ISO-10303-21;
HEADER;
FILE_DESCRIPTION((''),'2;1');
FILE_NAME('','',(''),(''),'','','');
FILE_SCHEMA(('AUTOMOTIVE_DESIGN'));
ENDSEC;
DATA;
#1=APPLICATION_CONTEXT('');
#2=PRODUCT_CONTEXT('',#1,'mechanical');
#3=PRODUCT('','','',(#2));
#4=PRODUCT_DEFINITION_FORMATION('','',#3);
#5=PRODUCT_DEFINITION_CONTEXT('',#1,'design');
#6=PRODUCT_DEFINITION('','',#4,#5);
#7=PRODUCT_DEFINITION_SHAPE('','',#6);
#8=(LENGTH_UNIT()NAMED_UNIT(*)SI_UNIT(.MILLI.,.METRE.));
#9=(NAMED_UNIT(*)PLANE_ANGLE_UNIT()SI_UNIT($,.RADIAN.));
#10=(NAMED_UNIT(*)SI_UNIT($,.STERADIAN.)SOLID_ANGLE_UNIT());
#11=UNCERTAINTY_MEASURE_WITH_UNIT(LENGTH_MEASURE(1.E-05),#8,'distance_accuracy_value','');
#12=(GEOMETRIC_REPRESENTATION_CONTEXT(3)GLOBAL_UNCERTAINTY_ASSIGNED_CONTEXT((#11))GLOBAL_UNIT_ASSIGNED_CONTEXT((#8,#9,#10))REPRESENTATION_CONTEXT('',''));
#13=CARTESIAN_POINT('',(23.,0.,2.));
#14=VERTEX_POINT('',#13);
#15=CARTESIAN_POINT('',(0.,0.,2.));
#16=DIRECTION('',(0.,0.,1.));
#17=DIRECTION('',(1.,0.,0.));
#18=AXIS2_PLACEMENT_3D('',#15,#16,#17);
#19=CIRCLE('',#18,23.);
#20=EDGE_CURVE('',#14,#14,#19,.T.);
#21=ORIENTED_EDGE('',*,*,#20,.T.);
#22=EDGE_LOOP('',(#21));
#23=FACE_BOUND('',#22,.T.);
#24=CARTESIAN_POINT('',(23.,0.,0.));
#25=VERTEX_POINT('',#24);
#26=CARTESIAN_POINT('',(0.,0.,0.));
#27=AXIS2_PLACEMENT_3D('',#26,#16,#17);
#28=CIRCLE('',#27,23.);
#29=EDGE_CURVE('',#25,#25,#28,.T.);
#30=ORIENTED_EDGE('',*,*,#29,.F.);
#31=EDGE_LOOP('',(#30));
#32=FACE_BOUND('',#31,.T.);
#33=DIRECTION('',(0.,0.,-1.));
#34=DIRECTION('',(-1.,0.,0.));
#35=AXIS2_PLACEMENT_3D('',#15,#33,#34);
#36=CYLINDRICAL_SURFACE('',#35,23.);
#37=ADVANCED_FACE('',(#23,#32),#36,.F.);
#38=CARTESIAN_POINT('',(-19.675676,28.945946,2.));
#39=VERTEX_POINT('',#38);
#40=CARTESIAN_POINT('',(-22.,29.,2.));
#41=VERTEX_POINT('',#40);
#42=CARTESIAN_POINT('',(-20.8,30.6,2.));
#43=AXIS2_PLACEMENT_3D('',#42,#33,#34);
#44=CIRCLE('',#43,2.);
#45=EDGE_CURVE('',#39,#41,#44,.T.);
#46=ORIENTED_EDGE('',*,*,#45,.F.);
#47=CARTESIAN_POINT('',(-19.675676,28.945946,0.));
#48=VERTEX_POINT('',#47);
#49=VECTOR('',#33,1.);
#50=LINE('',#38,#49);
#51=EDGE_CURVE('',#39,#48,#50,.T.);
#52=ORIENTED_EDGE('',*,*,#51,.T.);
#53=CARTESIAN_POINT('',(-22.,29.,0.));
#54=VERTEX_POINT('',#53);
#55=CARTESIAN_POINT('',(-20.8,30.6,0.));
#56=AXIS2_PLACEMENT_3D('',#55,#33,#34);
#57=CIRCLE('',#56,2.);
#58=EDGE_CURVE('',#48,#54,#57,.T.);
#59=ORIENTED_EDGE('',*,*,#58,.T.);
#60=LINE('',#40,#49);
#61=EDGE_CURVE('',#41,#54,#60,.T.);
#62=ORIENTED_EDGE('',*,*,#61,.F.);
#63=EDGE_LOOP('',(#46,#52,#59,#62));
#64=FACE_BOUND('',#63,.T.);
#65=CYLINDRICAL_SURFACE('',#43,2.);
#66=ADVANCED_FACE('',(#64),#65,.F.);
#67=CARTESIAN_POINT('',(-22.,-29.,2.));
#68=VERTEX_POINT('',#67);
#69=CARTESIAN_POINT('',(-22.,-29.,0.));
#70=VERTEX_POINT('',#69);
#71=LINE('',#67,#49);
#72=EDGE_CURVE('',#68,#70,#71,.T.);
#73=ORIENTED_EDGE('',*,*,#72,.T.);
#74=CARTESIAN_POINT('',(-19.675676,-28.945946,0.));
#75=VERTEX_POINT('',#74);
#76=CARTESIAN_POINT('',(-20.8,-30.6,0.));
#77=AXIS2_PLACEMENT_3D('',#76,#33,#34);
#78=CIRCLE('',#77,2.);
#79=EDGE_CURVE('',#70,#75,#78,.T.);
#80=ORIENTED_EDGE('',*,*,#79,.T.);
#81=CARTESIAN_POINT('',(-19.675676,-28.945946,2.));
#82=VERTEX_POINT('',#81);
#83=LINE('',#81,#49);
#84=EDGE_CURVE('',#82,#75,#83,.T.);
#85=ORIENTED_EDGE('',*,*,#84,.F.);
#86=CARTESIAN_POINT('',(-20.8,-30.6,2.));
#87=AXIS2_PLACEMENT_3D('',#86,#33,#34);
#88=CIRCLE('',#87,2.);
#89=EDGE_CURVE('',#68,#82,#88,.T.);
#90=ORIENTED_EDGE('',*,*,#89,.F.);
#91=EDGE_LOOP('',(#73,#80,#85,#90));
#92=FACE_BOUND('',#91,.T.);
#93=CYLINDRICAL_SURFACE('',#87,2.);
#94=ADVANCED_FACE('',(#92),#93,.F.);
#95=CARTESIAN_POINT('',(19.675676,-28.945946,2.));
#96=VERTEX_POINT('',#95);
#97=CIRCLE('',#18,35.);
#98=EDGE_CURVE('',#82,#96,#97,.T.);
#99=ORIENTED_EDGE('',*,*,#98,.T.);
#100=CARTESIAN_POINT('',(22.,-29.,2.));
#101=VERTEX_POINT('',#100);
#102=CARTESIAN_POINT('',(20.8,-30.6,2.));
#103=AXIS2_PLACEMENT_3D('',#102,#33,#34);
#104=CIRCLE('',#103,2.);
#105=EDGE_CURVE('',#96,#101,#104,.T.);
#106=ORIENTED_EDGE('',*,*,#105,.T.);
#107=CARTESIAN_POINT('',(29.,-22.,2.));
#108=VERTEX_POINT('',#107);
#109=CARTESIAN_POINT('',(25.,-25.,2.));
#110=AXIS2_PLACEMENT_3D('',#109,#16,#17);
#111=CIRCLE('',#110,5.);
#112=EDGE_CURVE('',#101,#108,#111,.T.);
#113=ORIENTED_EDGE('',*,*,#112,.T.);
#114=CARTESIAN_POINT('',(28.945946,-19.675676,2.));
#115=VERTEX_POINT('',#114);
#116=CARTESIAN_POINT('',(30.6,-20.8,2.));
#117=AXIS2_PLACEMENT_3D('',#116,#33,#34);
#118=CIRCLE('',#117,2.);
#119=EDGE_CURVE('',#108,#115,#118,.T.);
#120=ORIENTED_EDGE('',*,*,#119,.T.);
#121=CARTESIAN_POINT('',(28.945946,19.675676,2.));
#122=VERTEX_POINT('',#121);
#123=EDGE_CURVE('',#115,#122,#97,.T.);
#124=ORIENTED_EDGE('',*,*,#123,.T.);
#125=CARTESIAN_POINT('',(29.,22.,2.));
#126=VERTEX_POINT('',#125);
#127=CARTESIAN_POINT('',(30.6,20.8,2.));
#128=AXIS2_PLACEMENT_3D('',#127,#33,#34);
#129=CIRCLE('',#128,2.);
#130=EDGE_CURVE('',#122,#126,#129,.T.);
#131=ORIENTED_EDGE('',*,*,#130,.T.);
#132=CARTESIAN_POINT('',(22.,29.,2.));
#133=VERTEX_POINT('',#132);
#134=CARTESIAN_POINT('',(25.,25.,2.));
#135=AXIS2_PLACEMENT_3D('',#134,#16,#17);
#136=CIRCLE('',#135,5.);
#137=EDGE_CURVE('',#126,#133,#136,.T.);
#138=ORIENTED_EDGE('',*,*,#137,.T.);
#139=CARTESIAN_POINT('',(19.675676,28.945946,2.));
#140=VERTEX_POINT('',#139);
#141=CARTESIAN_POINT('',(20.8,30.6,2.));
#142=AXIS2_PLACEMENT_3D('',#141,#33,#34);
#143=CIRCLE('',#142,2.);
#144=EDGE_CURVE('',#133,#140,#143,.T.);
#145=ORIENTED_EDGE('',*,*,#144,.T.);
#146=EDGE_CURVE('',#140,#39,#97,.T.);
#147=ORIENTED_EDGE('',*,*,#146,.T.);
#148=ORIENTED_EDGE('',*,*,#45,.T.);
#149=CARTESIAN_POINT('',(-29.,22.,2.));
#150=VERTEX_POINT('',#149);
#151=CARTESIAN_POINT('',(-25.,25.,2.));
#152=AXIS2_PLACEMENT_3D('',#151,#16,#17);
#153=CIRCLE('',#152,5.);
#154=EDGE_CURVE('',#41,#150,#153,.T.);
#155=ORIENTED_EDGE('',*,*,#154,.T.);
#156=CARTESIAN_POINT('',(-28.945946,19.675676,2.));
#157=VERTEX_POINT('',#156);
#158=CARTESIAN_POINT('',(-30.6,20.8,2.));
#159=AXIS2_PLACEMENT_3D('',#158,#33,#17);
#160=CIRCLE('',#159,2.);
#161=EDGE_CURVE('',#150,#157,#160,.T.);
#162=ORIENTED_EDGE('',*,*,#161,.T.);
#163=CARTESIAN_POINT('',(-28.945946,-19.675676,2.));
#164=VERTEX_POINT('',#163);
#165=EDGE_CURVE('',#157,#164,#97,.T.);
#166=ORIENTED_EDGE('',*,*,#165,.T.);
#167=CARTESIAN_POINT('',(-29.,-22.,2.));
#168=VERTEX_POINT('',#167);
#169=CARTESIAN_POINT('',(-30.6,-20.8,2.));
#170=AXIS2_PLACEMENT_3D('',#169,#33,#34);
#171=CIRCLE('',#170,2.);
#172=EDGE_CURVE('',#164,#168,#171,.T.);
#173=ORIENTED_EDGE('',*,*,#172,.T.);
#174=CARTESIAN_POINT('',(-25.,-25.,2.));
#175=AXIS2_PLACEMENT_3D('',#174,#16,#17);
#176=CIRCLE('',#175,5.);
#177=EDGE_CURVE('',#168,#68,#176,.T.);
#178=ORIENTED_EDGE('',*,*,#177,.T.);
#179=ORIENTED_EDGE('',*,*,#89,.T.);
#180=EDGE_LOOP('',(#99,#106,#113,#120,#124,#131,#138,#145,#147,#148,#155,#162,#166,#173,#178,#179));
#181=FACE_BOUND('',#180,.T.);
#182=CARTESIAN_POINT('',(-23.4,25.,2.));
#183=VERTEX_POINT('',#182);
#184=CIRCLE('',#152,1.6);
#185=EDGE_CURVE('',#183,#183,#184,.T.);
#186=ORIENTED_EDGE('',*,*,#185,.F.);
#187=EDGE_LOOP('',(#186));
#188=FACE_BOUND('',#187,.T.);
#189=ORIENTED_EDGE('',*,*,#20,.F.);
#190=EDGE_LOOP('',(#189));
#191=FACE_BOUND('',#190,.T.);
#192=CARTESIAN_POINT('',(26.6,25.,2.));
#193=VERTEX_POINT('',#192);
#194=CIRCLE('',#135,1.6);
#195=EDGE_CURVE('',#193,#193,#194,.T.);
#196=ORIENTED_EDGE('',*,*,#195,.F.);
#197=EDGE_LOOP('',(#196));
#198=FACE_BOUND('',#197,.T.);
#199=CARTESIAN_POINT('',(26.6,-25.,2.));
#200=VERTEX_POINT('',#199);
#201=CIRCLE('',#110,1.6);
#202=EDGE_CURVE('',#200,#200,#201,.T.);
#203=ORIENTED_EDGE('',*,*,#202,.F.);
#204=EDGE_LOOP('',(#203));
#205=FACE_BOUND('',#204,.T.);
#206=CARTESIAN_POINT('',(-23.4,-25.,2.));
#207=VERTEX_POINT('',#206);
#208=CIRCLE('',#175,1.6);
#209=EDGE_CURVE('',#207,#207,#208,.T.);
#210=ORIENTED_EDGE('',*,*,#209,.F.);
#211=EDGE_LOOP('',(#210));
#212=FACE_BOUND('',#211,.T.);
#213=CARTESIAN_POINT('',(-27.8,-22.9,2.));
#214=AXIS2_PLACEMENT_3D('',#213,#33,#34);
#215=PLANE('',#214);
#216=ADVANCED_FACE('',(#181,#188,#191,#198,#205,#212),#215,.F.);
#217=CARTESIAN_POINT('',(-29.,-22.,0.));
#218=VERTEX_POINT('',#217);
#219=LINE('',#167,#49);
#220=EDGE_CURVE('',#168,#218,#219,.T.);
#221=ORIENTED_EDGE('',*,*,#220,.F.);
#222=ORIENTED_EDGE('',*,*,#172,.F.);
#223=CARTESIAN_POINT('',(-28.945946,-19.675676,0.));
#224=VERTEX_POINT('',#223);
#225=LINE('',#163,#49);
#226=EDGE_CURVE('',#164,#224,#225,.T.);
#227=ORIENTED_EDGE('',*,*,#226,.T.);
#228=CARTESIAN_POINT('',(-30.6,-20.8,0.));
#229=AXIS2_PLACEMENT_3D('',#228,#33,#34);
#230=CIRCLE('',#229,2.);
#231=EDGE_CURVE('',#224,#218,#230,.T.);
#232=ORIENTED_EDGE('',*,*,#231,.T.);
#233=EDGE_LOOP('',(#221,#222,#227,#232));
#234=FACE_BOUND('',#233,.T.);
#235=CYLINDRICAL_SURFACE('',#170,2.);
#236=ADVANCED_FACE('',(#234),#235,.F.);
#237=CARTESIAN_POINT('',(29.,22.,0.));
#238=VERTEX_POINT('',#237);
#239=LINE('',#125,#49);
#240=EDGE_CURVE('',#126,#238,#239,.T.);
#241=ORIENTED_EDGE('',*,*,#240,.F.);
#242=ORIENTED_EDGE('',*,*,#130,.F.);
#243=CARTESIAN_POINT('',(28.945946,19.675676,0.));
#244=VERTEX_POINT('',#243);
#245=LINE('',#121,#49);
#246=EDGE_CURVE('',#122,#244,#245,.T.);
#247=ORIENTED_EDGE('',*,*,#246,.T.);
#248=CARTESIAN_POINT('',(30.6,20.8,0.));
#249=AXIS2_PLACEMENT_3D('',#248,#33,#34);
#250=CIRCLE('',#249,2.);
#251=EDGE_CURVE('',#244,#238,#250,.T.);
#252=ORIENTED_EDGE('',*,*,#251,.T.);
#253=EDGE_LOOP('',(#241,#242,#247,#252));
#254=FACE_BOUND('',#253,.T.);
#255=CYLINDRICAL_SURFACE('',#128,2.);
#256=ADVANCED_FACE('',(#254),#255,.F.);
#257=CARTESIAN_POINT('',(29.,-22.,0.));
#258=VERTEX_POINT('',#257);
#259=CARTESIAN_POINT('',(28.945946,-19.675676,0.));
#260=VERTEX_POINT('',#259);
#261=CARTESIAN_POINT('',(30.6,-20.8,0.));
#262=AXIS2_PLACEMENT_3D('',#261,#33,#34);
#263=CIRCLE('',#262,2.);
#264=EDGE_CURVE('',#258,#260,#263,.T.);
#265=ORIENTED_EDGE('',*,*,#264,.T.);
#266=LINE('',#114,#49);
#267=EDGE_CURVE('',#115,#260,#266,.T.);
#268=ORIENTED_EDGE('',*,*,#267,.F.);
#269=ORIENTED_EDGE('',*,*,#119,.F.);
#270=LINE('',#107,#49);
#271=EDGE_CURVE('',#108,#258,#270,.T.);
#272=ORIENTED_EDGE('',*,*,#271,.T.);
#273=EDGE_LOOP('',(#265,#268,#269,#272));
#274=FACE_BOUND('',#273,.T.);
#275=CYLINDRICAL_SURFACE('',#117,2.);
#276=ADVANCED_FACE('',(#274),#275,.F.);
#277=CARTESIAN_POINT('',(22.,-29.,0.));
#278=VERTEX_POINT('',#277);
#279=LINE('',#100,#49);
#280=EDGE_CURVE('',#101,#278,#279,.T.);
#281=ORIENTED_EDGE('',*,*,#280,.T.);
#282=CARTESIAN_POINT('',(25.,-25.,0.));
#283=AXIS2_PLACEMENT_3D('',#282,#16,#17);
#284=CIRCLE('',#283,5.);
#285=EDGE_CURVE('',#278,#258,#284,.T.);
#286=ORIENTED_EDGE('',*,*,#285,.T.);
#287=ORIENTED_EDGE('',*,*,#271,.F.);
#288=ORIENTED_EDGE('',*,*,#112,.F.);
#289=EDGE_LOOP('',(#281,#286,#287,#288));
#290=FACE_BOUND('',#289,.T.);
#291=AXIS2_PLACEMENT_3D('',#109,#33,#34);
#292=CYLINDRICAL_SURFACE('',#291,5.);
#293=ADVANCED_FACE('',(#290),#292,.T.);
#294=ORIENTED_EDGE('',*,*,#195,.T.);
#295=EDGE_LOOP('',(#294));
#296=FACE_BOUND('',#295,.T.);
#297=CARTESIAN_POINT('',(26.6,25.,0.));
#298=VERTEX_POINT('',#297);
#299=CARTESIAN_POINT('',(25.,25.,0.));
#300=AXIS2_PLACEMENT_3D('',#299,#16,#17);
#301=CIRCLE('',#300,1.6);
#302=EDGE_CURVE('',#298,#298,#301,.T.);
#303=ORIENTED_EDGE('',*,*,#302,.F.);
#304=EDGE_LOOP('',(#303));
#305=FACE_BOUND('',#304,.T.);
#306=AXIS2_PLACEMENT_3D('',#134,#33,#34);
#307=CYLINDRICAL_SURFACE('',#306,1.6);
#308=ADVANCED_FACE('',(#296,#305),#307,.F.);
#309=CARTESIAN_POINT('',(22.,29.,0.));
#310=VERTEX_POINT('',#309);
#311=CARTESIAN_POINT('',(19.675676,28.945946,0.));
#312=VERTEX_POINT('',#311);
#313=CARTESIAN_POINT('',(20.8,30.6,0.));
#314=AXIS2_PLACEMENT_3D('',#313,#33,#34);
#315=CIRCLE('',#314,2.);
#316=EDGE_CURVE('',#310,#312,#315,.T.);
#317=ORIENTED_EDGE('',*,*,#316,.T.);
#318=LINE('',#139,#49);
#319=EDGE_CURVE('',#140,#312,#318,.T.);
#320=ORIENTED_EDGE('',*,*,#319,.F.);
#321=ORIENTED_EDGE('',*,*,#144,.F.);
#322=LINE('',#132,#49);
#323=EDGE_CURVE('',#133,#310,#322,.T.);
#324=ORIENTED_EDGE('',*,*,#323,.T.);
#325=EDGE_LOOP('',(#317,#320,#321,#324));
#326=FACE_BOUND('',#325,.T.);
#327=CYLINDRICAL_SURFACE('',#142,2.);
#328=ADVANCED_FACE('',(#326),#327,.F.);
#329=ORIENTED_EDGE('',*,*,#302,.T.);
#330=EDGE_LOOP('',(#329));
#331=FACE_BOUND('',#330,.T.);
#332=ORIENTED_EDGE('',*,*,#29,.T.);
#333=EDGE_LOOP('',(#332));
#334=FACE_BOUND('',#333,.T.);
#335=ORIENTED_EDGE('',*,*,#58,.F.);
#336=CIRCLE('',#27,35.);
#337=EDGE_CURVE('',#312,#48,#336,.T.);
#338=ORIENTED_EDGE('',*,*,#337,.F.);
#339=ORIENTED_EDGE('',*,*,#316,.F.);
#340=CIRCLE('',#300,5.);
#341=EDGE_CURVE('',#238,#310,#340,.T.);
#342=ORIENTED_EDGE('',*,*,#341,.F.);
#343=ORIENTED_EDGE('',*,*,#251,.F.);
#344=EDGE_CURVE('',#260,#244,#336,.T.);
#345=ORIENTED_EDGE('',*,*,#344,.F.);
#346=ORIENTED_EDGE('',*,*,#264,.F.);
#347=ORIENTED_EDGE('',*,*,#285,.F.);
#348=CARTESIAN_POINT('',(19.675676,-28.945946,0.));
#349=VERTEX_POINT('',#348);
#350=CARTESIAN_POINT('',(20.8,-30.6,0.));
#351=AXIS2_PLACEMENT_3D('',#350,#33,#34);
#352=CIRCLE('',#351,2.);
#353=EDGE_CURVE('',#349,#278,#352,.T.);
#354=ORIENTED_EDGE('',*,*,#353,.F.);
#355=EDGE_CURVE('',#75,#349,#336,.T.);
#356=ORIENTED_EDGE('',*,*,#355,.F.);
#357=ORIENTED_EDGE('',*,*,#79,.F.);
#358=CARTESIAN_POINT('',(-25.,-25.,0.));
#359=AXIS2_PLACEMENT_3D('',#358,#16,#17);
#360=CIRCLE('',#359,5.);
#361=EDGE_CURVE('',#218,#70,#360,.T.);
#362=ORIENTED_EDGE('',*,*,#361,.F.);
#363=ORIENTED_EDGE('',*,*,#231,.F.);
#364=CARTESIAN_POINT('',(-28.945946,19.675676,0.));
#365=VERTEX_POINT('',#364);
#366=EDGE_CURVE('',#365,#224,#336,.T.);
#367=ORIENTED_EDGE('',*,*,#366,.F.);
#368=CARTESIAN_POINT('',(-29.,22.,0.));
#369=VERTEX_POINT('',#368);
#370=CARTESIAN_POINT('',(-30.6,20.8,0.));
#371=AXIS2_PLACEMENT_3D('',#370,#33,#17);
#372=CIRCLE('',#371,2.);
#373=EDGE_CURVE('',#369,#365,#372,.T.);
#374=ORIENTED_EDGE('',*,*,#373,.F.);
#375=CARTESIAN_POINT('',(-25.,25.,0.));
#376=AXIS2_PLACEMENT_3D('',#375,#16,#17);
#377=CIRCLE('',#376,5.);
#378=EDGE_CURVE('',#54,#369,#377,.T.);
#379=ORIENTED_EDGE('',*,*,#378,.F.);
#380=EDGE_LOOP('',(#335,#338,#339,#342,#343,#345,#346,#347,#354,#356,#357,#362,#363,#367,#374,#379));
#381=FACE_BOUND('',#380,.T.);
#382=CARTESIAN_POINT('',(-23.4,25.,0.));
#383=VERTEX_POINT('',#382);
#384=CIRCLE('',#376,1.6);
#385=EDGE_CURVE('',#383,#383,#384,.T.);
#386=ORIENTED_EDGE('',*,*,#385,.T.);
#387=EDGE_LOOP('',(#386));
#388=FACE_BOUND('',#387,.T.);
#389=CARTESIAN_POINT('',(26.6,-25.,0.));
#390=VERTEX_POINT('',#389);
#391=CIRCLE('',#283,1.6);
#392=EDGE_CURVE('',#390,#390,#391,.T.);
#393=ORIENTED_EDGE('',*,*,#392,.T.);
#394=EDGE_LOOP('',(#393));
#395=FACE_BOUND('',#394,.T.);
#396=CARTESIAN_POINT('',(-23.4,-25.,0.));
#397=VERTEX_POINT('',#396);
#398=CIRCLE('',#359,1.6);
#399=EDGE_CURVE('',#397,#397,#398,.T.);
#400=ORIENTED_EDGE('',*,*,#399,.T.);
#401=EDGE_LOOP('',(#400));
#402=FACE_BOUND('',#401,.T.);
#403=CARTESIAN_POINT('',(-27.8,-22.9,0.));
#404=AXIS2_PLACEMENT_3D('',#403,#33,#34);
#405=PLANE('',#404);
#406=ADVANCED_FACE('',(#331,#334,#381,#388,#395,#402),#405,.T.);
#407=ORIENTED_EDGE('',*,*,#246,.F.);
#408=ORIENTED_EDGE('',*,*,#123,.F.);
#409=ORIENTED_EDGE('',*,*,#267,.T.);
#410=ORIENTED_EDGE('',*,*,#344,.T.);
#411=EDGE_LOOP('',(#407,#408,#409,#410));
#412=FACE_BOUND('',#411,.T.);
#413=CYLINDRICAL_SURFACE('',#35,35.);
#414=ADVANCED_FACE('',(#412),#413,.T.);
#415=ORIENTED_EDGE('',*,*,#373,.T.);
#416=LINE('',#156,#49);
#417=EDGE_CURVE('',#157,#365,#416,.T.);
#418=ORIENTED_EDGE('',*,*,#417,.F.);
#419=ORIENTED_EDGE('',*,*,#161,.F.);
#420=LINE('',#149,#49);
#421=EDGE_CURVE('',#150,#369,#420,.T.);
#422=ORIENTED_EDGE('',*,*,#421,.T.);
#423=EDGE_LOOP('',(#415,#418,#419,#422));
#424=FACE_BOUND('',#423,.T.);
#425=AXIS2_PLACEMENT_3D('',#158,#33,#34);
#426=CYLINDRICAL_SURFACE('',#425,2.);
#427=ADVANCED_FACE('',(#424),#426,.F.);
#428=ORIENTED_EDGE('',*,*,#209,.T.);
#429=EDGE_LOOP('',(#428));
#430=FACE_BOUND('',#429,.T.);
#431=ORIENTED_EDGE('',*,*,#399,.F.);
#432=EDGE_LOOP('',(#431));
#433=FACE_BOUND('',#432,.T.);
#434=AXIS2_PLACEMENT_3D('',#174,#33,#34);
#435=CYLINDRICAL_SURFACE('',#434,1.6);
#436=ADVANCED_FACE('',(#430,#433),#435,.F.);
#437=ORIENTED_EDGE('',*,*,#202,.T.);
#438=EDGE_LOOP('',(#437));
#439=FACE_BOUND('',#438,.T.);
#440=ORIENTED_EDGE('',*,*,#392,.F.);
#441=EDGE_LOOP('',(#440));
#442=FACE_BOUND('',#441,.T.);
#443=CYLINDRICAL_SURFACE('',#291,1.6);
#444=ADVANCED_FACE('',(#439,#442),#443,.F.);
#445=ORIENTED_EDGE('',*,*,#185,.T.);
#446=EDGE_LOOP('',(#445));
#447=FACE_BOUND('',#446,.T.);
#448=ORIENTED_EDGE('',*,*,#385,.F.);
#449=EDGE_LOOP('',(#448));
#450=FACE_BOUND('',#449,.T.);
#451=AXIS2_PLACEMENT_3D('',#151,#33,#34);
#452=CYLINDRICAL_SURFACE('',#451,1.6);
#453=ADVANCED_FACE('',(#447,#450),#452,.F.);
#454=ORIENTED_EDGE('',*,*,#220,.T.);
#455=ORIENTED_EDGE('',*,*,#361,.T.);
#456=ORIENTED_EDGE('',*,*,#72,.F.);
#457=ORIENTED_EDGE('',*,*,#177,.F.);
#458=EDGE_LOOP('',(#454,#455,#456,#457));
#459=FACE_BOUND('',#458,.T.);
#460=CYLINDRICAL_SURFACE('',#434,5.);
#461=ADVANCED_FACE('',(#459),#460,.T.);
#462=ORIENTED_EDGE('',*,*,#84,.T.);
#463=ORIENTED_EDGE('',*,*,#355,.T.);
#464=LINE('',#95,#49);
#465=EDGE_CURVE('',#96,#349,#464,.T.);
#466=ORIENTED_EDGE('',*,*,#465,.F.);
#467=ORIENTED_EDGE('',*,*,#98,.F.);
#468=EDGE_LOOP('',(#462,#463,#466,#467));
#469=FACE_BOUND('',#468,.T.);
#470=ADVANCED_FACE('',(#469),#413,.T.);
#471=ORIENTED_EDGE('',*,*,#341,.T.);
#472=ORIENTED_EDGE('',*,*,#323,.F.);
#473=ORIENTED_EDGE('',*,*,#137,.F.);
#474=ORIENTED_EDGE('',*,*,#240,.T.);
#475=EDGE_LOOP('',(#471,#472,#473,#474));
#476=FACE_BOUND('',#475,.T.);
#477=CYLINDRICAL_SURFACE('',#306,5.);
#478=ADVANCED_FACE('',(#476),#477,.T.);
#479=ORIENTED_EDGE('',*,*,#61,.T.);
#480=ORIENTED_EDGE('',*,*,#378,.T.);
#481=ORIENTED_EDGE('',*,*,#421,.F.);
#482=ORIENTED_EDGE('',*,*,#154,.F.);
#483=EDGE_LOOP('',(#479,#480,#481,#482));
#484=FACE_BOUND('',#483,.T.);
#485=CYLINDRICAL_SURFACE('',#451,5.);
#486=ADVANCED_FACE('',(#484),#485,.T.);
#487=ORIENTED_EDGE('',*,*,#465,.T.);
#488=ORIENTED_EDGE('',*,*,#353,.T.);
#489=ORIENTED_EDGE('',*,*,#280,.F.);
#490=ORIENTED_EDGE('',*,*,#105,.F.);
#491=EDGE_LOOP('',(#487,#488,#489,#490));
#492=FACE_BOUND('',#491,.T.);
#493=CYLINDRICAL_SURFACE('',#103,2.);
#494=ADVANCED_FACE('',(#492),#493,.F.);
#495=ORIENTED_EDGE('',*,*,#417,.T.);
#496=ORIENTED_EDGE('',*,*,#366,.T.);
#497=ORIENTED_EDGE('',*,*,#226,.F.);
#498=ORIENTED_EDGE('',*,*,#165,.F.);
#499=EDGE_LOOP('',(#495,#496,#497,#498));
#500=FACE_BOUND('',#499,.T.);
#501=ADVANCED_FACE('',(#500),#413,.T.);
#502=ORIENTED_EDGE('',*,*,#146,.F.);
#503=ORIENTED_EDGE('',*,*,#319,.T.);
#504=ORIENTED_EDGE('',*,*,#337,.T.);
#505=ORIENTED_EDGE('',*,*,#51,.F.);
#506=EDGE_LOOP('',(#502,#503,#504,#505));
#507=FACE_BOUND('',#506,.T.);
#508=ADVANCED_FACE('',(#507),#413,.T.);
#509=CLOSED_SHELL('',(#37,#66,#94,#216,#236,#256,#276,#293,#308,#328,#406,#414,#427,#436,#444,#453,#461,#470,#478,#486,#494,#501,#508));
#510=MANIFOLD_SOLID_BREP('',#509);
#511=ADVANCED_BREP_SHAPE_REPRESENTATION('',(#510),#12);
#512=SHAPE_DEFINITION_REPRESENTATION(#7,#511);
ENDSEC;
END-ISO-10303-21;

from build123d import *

# Parameters (mm, degrees)
SKETCH1_R           = 23
SKETCH1_R_2         = 1.6
BOSS_EXTRUDE1_DEPTH = 2


with BuildPart() as part:
    # Sketch1 → Boss-Extrude1 (new body)
    with BuildSketch(Plane.XY):
        with BuildLine():
            ThreePointArc((-28.945945946, 19.675675676), (-35, 0), (-28.945945946, -19.675675676))
            ThreePointArc((-28.945945946, -19.675675676), (-28.600540614, -20.846499055), (-29, -22))
            ThreePointArc((-29, -22), (-28.535533906, -28.535533906), (-22, -29))
            ThreePointArc((-22, -29), (-20.846499055, -28.600540614), (-19.675675676, -28.945945946))
            ThreePointArc((-19.675675676, -28.945945946), (0, -35), (19.675675676, -28.945945946))
            ThreePointArc((19.675675676, -28.945945946), (20.846499055, -28.600540614), (22, -29))
            ThreePointArc((22, -29), (28.535533906, -28.535533906), (29, -22))
            ThreePointArc((29, -22), (28.600540614, -20.846499055), (28.945945946, -19.675675676))
            ThreePointArc((28.945945946, -19.675675676), (35, 0), (28.945945946, 19.675675676))
            ThreePointArc((28.945945946, 19.675675676), (28.600540614, 20.846499055), (29, 22))
            ThreePointArc((29, 22), (28.535533906, 28.535533906), (22, 29))
            ThreePointArc((22, 29), (20.846499055, 28.600540614), (19.675675676, 28.945945946))
            ThreePointArc((19.675675676, 28.945945946), (0, 35), (-19.675675676, 28.945945946))
            ThreePointArc((-19.675675676, 28.945945946), (-20.846499055, 28.600540614), (-22, 29))
            ThreePointArc((-22, 29), (-28.535533906, 28.535533906), (-29, 22))
            ThreePointArc((-29, 22), (-28.600540614, 20.846499055), (-28.945945946, 19.675675676))
        make_face()
        Circle(SKETCH1_R, mode=Mode.SUBTRACT)
        with Locations((-25, 25)):
            Circle(SKETCH1_R_2, mode=Mode.SUBTRACT)
        with Locations((25, 25)):
            Circle(SKETCH1_R_2, mode=Mode.SUBTRACT)
        with Locations((-25, -25)):
            Circle(SKETCH1_R_2, mode=Mode.SUBTRACT)
        with Locations((25, -25)):
            Circle(SKETCH1_R_2, mode=Mode.SUBTRACT)
    extrude(amount=BOSS_EXTRUDE1_DEPTH)


solid = part.part
